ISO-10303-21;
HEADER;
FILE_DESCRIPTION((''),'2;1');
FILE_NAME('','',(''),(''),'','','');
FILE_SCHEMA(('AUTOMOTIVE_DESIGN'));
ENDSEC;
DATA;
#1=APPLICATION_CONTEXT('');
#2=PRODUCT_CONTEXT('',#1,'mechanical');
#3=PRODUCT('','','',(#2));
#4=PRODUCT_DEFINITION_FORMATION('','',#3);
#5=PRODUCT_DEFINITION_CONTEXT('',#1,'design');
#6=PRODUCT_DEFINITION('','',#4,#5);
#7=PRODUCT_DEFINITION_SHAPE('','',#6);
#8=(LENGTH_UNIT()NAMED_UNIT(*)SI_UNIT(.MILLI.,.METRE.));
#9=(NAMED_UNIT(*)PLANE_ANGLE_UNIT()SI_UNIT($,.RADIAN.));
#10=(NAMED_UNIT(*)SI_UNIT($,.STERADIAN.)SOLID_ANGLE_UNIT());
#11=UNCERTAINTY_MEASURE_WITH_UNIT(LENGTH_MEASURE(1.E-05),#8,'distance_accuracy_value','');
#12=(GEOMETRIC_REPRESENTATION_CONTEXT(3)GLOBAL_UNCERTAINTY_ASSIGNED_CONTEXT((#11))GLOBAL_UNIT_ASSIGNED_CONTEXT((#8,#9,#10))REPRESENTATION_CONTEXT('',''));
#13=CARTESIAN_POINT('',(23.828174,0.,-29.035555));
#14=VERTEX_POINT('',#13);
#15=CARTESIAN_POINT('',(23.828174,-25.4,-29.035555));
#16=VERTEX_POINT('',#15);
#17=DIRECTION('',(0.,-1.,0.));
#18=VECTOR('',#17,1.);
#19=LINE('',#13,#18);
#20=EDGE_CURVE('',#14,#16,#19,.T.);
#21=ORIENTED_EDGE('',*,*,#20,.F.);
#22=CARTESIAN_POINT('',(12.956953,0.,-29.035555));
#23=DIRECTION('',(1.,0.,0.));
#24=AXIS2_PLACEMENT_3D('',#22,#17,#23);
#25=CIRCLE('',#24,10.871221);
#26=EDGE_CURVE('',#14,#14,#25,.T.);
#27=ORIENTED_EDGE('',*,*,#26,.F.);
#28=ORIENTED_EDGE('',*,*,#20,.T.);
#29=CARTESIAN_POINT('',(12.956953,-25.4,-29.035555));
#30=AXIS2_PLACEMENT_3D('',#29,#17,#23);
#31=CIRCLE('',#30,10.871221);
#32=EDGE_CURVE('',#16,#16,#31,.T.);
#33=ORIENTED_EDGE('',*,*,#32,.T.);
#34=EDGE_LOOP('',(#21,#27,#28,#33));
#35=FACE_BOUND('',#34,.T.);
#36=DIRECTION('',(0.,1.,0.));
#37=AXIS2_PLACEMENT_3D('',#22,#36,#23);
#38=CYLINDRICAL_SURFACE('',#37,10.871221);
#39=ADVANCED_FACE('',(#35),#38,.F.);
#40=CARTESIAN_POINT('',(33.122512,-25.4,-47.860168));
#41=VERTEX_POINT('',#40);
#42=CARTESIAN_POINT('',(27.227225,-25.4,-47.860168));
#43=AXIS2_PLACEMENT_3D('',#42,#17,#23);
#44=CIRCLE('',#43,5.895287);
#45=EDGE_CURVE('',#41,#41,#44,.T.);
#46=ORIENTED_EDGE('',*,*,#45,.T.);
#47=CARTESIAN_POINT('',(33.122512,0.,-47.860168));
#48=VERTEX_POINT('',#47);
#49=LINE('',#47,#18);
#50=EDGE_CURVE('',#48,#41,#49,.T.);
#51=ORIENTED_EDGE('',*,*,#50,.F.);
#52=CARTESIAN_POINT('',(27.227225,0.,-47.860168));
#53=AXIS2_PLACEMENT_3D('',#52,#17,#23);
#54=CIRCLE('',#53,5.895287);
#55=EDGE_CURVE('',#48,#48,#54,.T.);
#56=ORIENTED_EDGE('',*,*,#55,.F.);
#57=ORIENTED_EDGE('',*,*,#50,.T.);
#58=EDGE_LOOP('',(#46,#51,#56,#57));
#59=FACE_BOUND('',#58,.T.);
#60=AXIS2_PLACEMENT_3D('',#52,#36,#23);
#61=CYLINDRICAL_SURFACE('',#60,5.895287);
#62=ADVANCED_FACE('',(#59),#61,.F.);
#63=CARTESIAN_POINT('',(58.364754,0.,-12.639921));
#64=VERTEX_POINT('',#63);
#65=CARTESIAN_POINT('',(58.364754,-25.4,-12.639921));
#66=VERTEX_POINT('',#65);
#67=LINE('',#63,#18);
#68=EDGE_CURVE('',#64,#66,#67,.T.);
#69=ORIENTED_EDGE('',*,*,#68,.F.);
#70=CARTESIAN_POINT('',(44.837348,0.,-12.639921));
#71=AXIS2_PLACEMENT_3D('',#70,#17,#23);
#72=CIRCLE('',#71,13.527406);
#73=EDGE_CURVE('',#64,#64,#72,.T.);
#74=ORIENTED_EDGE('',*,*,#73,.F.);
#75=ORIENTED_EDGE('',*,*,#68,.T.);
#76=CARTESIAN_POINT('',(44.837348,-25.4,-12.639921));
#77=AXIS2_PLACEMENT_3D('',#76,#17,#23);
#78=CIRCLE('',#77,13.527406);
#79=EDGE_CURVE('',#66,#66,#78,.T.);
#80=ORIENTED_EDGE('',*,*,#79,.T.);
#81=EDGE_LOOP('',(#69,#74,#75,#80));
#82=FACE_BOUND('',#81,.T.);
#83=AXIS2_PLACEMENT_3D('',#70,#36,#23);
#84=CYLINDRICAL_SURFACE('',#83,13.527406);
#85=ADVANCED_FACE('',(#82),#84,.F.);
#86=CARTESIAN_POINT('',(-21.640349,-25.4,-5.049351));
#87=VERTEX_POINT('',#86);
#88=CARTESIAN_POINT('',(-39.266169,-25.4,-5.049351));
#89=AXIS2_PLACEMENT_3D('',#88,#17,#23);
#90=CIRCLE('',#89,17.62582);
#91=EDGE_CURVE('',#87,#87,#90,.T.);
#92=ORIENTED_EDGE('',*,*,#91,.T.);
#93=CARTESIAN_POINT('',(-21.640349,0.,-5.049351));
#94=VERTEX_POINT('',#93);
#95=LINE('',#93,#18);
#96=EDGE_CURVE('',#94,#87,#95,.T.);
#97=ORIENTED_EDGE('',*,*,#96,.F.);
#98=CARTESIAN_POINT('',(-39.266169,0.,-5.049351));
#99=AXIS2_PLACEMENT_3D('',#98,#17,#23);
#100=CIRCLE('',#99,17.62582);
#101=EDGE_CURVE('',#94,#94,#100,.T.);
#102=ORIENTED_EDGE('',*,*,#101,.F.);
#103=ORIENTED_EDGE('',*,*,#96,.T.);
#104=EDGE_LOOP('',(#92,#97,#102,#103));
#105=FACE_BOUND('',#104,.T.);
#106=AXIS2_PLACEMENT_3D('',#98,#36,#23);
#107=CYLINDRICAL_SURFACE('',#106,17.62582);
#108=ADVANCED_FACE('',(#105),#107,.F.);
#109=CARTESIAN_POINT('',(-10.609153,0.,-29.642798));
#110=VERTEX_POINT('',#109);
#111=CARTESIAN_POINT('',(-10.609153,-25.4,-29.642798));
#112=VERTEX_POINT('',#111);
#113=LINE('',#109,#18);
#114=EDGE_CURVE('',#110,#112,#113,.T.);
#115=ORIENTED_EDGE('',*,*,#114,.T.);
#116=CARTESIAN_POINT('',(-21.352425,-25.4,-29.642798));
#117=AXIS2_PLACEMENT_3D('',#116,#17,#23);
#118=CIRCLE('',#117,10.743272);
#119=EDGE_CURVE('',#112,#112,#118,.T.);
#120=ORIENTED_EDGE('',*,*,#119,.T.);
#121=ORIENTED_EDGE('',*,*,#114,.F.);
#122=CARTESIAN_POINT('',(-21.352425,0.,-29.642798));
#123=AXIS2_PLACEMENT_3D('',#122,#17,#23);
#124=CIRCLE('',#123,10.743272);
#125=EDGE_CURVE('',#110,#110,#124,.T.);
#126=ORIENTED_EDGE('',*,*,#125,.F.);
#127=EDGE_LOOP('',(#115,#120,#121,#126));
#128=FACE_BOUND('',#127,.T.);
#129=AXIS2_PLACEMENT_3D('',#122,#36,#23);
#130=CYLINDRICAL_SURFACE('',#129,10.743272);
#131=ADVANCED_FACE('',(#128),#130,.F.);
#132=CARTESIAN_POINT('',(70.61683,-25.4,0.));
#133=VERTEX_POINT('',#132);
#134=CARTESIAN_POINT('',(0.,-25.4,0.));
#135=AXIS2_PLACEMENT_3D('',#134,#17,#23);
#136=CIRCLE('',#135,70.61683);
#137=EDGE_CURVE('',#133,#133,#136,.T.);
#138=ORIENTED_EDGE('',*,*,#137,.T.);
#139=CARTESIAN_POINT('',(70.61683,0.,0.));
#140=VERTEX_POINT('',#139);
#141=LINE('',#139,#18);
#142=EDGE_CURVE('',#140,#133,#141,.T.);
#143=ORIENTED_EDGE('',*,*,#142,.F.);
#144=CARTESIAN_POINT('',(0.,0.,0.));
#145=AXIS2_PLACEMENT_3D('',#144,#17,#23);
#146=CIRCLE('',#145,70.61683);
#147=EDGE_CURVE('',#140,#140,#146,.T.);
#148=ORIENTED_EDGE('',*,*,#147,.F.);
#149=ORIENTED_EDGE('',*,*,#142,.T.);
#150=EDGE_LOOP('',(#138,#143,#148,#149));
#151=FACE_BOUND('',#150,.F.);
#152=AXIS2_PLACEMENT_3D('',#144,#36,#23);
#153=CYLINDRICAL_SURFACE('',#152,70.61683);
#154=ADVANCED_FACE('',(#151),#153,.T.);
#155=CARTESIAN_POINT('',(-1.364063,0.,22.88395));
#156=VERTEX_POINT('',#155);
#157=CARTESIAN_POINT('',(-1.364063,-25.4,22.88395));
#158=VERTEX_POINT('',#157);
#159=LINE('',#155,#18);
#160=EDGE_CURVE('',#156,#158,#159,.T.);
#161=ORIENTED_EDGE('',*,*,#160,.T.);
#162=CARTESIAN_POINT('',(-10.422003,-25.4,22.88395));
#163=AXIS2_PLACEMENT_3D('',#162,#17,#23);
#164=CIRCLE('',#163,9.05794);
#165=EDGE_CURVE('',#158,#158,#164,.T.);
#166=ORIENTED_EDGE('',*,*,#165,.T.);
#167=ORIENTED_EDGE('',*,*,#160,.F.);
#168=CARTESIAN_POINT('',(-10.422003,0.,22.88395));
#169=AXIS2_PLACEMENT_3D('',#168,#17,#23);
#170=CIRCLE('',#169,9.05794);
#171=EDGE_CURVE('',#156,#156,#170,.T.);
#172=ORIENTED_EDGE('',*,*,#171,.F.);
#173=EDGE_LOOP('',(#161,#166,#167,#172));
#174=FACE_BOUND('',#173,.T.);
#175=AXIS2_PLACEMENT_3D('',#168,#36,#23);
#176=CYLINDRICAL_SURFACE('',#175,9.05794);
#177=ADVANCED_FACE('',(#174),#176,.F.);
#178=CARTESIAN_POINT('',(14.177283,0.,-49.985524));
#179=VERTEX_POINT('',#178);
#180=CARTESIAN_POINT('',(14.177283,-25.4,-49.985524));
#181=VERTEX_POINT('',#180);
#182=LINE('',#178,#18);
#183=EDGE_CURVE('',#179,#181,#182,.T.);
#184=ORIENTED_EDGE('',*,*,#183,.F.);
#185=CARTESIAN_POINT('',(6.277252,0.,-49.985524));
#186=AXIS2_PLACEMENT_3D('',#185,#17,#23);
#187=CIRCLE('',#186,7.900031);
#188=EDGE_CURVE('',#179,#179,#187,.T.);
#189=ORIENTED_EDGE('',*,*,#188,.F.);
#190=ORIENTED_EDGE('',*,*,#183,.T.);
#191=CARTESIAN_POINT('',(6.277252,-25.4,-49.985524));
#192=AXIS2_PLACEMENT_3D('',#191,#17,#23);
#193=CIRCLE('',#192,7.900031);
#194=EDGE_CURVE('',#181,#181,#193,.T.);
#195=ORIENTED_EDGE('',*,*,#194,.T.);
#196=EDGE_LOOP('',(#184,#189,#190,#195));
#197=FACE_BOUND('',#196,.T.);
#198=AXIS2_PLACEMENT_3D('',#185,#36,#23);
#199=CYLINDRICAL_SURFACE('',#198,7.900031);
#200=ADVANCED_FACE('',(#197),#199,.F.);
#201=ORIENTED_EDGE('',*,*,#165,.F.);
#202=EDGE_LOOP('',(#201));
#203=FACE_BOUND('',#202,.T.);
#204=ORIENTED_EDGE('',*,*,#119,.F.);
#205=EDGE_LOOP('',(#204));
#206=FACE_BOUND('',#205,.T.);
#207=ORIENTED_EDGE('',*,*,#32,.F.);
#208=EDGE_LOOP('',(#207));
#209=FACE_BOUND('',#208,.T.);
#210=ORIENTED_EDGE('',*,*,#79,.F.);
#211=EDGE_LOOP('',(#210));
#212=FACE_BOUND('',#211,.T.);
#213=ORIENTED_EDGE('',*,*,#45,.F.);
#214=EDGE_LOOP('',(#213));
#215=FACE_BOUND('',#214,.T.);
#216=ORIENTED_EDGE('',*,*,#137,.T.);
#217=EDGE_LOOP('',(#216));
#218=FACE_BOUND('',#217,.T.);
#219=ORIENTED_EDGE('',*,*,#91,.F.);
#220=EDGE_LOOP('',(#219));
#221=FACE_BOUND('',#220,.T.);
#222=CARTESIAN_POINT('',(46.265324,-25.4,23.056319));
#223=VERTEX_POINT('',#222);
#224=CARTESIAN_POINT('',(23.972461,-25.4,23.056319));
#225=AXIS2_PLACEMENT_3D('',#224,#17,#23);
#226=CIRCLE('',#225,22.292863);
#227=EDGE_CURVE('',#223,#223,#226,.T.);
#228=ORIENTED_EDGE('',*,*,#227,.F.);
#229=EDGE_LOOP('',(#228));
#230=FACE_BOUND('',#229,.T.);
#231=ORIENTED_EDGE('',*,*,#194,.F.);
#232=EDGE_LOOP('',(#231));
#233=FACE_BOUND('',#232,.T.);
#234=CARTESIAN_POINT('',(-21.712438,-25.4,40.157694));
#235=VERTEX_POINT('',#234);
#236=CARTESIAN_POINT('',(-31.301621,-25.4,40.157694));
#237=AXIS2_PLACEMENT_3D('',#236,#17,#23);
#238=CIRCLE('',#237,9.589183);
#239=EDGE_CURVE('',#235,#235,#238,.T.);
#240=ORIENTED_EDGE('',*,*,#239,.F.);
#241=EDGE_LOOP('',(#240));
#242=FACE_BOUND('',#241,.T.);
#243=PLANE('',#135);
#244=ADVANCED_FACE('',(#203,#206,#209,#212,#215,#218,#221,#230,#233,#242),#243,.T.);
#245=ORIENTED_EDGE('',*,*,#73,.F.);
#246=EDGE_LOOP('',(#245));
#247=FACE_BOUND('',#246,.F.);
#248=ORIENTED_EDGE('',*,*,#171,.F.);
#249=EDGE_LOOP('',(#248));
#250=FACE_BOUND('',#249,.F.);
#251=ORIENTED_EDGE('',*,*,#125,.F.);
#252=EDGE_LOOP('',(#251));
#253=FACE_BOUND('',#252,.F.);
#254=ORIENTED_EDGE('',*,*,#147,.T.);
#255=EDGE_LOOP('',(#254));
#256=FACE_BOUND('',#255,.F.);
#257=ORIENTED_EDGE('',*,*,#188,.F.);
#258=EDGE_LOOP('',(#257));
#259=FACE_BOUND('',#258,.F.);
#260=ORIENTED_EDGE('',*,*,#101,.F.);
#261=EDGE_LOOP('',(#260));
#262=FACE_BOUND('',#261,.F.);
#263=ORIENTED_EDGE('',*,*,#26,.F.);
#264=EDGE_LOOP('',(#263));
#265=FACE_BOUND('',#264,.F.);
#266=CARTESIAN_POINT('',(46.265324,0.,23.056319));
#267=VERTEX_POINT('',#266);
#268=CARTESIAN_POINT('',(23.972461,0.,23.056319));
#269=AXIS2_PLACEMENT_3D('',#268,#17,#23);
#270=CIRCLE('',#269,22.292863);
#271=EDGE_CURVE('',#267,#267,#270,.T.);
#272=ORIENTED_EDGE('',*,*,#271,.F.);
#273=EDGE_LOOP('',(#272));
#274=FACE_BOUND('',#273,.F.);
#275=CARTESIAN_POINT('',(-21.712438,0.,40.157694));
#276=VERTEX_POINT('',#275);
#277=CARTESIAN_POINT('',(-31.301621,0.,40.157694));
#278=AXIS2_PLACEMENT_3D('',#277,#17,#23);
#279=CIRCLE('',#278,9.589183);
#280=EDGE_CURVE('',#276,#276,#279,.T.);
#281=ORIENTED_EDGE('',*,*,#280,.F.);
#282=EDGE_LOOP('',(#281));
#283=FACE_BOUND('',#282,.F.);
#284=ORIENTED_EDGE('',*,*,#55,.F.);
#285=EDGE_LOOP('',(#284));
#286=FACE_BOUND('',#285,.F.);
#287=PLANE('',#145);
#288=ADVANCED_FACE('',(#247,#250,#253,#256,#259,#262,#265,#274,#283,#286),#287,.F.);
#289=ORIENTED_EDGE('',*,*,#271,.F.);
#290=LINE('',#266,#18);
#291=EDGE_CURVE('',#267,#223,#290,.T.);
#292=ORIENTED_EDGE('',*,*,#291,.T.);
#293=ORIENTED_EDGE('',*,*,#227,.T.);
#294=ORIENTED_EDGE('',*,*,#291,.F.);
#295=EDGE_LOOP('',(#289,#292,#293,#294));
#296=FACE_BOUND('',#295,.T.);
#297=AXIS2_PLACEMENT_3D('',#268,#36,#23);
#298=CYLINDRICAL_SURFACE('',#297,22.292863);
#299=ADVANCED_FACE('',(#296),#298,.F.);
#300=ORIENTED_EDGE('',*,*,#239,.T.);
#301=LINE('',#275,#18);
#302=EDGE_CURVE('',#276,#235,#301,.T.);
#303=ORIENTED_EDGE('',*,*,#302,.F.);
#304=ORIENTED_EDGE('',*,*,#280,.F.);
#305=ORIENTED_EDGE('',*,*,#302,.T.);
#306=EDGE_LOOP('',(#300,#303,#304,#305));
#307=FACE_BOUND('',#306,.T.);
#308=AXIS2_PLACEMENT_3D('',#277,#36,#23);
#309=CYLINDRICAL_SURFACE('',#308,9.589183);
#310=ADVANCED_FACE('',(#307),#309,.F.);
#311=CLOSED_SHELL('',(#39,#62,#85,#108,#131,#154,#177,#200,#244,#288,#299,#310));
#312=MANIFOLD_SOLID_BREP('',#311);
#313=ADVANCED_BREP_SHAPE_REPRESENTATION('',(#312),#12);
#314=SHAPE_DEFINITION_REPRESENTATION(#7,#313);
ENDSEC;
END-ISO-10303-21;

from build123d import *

# Parameters (mm, degrees)
F0_R     = 70.61683
F0_R_2   = 10.743272
F0_R_3   = 7.900031
F0_R_4   = 5.895287
F0_R_5   = 10.871221
F0_R_6   = 13.527406
F0_R_7   = 17.62582
F0_R_8   = 9.05794
F0_R_9   = 9.589183
F0_R_10  = 22.292863
F1_DEPTH = 25.4


with BuildPart() as f1:
    # F0 (on Front) → F1 (new body)
    with BuildSketch(Plane.XZ):
        Circle(F0_R)
        with BuildLine():
            add(Edge.make_bspline(
                [(-36.493111, 54.20525), (-28.936509, 63.090617), (-19.660517, 65.501802), (-1.222862, 65.507353), (7.822979, 62.653848), (27.277502, 62.879575), (43.372043, 46.346447), (64.920363, 20.765692), (66.314924, -28.447634), (9.468174, -86.877943), (-26.561742, -38.820197), (-61.127484, -39.01656), (-68.130881, 15.544394), (-52.448285, 35.444495), (-36.493111, 54.20525)],
                knots=[0, 0, 0, 0, 28.590315, 28.895697, 55.301946, 56.21809, 87.135629, 115.358246, 157.205567, 225.606973, 286.72147, 287.026855, 329.076759, 389.442964, 389.442964, 389.442964, 389.442964], degree=3))
        make_face(mode=Mode.SUBTRACT)
        with BuildLine():
            add(Edge.make_bspline(
                [(-36.493111, 54.20525), (-28.936509, 63.090617), (-19.660517, 65.501802), (-1.222862, 65.507353), (7.822979, 62.653848), (27.277502, 62.879575), (43.372043, 46.346447), (64.920363, 20.765692), (66.314924, -28.447634), (9.468174, -86.877943), (-26.561742, -38.820197), (-61.127484, -39.01656), (-68.130881, 15.544394), (-52.448285, 35.444495), (-36.493111, 54.20525)],
                knots=[0, 0, 0, 0, 28.590315, 28.895697, 55.301946, 56.21809, 87.135629, 115.358246, 157.205567, 225.606973, 286.72147, 287.026855, 329.076759, 389.442964, 389.442964, 389.442964, 389.442964], degree=3))
        make_face()
        with Locations((-21.352425, -29.642798)):
            Circle(F0_R_2, mode=Mode.SUBTRACT)
        with Locations((6.277252, -49.985524)):
            Circle(F0_R_3, mode=Mode.SUBTRACT)
        with Locations((27.227225, -47.860168)):
            Circle(F0_R_4, mode=Mode.SUBTRACT)
        with Locations((12.956953, -29.035555)):
            Circle(F0_R_5, mode=Mode.SUBTRACT)
        with Locations((44.837348, -12.639921)):
            Circle(F0_R_6, mode=Mode.SUBTRACT)
        with Locations((-39.266169, -5.049351)):
            Circle(F0_R_7, mode=Mode.SUBTRACT)
        with Locations((-10.422003, 22.88395)):
            Circle(F0_R_8, mode=Mode.SUBTRACT)
        with Locations((-31.301621, 40.157694)):
            Circle(F0_R_9, mode=Mode.SUBTRACT)
        with Locations((23.972461, 23.056319)):
            Circle(F0_R_10, mode=Mode.SUBTRACT)
    extrude(amount=F1_DEPTH)


solid = f1.part
